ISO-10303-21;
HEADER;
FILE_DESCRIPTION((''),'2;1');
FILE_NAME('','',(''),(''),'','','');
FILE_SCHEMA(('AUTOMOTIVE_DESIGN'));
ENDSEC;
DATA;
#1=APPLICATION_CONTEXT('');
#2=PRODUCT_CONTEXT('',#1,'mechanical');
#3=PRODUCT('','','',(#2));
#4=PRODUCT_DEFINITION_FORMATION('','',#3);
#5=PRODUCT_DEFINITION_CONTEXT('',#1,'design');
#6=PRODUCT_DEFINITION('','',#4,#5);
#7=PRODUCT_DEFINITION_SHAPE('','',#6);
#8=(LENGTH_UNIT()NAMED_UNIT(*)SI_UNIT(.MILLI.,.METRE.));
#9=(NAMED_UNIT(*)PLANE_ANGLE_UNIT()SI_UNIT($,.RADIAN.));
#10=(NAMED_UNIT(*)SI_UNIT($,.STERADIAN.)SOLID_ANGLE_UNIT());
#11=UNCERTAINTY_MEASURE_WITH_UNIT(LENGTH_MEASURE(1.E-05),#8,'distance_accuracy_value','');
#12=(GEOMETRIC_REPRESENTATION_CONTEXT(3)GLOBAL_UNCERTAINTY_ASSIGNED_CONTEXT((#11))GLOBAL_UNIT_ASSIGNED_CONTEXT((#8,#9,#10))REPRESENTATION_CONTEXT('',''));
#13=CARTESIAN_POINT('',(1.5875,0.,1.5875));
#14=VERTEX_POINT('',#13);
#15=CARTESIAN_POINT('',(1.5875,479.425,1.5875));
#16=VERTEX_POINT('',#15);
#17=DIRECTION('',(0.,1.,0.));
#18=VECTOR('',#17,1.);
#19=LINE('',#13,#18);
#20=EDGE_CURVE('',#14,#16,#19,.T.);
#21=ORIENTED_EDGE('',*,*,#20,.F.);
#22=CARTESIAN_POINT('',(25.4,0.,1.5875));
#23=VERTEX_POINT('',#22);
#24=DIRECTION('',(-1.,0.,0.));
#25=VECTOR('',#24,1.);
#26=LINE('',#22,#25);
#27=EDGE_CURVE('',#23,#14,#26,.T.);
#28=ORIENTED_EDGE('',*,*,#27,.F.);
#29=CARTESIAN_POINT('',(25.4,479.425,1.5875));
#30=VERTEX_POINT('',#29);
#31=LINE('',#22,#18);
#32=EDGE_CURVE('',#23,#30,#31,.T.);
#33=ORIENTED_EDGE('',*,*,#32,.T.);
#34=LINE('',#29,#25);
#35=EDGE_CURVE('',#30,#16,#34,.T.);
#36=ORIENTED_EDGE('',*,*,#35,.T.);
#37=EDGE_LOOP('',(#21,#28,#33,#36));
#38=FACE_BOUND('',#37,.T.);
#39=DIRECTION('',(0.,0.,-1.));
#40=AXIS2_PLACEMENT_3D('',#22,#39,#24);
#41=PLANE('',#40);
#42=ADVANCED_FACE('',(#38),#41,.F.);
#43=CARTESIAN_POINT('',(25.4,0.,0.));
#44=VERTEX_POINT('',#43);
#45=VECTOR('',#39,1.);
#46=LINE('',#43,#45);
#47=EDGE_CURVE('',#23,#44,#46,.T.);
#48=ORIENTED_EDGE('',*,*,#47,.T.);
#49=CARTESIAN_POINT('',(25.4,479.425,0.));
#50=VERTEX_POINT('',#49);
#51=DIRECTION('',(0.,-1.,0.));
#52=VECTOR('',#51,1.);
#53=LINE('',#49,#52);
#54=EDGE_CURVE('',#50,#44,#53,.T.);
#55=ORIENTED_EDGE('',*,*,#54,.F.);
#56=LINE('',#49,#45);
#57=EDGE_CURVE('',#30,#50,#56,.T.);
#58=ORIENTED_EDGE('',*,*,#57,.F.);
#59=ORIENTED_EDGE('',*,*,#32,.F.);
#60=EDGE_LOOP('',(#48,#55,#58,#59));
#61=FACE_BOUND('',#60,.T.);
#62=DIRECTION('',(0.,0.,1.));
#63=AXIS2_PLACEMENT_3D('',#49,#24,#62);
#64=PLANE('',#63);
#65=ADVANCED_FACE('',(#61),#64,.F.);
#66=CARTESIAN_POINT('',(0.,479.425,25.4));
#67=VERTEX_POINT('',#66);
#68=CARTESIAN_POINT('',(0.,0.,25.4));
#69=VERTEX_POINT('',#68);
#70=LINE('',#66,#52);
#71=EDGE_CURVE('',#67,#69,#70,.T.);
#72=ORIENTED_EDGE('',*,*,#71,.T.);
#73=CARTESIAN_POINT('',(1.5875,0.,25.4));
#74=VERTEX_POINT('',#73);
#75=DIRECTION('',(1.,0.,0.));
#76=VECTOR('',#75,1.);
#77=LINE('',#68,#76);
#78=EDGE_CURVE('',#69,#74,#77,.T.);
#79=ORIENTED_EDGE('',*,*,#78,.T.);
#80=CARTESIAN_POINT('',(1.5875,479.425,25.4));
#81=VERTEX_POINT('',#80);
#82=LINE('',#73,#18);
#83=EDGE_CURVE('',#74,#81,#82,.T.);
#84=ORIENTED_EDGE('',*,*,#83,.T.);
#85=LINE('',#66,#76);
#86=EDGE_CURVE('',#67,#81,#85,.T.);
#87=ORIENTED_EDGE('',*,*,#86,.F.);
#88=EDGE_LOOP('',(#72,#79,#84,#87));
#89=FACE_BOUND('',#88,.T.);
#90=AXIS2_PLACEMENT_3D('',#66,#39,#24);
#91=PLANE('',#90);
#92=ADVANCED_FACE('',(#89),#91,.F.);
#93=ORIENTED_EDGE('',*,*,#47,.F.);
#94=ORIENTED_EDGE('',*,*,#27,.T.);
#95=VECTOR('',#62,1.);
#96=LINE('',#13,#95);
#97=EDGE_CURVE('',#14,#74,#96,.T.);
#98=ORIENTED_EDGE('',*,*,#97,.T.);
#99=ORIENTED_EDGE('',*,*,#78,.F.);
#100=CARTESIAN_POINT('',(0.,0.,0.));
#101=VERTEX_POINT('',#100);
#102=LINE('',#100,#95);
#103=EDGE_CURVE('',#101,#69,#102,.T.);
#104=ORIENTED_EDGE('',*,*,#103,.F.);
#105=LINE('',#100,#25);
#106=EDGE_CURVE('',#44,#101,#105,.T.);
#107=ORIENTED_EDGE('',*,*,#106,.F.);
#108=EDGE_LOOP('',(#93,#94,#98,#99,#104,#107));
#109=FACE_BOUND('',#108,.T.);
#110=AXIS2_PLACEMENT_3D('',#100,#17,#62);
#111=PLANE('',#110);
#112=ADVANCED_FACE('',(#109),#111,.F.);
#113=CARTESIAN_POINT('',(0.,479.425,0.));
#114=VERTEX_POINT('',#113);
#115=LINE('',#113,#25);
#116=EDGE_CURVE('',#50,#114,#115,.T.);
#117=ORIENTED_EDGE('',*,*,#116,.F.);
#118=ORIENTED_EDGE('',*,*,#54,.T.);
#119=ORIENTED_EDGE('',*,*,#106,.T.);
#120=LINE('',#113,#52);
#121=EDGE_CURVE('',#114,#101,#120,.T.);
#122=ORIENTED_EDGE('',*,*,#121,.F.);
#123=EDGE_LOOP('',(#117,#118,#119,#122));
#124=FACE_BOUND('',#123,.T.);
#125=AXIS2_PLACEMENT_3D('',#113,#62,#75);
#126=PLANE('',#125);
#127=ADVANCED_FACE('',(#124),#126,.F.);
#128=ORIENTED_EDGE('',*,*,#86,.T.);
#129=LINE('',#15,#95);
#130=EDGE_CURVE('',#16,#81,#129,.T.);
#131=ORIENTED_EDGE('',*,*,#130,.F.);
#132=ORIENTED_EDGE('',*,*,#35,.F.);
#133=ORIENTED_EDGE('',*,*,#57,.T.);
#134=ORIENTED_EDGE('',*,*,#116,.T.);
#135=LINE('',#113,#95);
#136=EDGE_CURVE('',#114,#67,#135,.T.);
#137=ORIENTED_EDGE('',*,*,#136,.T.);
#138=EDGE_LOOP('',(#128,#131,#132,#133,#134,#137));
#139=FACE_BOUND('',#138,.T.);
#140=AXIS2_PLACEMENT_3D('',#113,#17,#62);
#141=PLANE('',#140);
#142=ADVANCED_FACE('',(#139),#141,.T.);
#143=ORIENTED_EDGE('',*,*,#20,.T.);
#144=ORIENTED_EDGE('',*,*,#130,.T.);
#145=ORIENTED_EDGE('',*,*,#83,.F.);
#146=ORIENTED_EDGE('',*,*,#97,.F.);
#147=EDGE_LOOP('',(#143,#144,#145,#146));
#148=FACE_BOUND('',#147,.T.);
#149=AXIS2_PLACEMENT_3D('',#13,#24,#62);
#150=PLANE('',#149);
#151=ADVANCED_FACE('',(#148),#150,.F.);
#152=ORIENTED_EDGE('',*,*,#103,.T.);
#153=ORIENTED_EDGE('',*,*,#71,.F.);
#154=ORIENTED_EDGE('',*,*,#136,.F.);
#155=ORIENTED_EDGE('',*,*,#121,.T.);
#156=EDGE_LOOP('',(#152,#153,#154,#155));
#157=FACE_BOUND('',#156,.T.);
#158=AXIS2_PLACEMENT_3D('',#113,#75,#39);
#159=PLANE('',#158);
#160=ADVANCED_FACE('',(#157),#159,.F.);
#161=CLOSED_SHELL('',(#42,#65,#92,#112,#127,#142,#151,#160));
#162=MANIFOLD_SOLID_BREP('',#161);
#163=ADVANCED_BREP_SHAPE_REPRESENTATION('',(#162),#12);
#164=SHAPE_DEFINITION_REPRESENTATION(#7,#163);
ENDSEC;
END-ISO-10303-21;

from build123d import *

# Parameters (mm, degrees)
SKETCH1_W           = 25.4
SKETCH1_H           = 25.4
BOSS_EXTRUDE1_DEPTH = 479.425
SKETCH2_W           = 23.8125
SKETCH2_H           = 23.8125
CUT_EXTRUDE1_DEPTH  = 481.768812034


with BuildPart() as part:
    # Sketch1 → Boss-Extrude1 (new body)
    with BuildSketch(Plane(origin=(0, 0, 0), x_dir=(1, 0, 0), z_dir=(0, 1, 0))):
        with Locations((12.7, -12.7)):
            Rectangle(SKETCH1_W, SKETCH1_H)
    extrude(amount=BOSS_EXTRUDE1_DEPTH)

    # Sketch2 → Cut-Extrude1 (cut, through all)
    with BuildSketch(Plane(origin=(0, 479.425, 0), x_dir=(1, 0, 0), z_dir=(0, 1, 0))):
        with Locations((13.49375, -13.49375)):
            Rectangle(SKETCH2_W, SKETCH2_H)
    extrude(amount=-CUT_EXTRUDE1_DEPTH, mode=Mode.SUBTRACT)


solid = part.part
